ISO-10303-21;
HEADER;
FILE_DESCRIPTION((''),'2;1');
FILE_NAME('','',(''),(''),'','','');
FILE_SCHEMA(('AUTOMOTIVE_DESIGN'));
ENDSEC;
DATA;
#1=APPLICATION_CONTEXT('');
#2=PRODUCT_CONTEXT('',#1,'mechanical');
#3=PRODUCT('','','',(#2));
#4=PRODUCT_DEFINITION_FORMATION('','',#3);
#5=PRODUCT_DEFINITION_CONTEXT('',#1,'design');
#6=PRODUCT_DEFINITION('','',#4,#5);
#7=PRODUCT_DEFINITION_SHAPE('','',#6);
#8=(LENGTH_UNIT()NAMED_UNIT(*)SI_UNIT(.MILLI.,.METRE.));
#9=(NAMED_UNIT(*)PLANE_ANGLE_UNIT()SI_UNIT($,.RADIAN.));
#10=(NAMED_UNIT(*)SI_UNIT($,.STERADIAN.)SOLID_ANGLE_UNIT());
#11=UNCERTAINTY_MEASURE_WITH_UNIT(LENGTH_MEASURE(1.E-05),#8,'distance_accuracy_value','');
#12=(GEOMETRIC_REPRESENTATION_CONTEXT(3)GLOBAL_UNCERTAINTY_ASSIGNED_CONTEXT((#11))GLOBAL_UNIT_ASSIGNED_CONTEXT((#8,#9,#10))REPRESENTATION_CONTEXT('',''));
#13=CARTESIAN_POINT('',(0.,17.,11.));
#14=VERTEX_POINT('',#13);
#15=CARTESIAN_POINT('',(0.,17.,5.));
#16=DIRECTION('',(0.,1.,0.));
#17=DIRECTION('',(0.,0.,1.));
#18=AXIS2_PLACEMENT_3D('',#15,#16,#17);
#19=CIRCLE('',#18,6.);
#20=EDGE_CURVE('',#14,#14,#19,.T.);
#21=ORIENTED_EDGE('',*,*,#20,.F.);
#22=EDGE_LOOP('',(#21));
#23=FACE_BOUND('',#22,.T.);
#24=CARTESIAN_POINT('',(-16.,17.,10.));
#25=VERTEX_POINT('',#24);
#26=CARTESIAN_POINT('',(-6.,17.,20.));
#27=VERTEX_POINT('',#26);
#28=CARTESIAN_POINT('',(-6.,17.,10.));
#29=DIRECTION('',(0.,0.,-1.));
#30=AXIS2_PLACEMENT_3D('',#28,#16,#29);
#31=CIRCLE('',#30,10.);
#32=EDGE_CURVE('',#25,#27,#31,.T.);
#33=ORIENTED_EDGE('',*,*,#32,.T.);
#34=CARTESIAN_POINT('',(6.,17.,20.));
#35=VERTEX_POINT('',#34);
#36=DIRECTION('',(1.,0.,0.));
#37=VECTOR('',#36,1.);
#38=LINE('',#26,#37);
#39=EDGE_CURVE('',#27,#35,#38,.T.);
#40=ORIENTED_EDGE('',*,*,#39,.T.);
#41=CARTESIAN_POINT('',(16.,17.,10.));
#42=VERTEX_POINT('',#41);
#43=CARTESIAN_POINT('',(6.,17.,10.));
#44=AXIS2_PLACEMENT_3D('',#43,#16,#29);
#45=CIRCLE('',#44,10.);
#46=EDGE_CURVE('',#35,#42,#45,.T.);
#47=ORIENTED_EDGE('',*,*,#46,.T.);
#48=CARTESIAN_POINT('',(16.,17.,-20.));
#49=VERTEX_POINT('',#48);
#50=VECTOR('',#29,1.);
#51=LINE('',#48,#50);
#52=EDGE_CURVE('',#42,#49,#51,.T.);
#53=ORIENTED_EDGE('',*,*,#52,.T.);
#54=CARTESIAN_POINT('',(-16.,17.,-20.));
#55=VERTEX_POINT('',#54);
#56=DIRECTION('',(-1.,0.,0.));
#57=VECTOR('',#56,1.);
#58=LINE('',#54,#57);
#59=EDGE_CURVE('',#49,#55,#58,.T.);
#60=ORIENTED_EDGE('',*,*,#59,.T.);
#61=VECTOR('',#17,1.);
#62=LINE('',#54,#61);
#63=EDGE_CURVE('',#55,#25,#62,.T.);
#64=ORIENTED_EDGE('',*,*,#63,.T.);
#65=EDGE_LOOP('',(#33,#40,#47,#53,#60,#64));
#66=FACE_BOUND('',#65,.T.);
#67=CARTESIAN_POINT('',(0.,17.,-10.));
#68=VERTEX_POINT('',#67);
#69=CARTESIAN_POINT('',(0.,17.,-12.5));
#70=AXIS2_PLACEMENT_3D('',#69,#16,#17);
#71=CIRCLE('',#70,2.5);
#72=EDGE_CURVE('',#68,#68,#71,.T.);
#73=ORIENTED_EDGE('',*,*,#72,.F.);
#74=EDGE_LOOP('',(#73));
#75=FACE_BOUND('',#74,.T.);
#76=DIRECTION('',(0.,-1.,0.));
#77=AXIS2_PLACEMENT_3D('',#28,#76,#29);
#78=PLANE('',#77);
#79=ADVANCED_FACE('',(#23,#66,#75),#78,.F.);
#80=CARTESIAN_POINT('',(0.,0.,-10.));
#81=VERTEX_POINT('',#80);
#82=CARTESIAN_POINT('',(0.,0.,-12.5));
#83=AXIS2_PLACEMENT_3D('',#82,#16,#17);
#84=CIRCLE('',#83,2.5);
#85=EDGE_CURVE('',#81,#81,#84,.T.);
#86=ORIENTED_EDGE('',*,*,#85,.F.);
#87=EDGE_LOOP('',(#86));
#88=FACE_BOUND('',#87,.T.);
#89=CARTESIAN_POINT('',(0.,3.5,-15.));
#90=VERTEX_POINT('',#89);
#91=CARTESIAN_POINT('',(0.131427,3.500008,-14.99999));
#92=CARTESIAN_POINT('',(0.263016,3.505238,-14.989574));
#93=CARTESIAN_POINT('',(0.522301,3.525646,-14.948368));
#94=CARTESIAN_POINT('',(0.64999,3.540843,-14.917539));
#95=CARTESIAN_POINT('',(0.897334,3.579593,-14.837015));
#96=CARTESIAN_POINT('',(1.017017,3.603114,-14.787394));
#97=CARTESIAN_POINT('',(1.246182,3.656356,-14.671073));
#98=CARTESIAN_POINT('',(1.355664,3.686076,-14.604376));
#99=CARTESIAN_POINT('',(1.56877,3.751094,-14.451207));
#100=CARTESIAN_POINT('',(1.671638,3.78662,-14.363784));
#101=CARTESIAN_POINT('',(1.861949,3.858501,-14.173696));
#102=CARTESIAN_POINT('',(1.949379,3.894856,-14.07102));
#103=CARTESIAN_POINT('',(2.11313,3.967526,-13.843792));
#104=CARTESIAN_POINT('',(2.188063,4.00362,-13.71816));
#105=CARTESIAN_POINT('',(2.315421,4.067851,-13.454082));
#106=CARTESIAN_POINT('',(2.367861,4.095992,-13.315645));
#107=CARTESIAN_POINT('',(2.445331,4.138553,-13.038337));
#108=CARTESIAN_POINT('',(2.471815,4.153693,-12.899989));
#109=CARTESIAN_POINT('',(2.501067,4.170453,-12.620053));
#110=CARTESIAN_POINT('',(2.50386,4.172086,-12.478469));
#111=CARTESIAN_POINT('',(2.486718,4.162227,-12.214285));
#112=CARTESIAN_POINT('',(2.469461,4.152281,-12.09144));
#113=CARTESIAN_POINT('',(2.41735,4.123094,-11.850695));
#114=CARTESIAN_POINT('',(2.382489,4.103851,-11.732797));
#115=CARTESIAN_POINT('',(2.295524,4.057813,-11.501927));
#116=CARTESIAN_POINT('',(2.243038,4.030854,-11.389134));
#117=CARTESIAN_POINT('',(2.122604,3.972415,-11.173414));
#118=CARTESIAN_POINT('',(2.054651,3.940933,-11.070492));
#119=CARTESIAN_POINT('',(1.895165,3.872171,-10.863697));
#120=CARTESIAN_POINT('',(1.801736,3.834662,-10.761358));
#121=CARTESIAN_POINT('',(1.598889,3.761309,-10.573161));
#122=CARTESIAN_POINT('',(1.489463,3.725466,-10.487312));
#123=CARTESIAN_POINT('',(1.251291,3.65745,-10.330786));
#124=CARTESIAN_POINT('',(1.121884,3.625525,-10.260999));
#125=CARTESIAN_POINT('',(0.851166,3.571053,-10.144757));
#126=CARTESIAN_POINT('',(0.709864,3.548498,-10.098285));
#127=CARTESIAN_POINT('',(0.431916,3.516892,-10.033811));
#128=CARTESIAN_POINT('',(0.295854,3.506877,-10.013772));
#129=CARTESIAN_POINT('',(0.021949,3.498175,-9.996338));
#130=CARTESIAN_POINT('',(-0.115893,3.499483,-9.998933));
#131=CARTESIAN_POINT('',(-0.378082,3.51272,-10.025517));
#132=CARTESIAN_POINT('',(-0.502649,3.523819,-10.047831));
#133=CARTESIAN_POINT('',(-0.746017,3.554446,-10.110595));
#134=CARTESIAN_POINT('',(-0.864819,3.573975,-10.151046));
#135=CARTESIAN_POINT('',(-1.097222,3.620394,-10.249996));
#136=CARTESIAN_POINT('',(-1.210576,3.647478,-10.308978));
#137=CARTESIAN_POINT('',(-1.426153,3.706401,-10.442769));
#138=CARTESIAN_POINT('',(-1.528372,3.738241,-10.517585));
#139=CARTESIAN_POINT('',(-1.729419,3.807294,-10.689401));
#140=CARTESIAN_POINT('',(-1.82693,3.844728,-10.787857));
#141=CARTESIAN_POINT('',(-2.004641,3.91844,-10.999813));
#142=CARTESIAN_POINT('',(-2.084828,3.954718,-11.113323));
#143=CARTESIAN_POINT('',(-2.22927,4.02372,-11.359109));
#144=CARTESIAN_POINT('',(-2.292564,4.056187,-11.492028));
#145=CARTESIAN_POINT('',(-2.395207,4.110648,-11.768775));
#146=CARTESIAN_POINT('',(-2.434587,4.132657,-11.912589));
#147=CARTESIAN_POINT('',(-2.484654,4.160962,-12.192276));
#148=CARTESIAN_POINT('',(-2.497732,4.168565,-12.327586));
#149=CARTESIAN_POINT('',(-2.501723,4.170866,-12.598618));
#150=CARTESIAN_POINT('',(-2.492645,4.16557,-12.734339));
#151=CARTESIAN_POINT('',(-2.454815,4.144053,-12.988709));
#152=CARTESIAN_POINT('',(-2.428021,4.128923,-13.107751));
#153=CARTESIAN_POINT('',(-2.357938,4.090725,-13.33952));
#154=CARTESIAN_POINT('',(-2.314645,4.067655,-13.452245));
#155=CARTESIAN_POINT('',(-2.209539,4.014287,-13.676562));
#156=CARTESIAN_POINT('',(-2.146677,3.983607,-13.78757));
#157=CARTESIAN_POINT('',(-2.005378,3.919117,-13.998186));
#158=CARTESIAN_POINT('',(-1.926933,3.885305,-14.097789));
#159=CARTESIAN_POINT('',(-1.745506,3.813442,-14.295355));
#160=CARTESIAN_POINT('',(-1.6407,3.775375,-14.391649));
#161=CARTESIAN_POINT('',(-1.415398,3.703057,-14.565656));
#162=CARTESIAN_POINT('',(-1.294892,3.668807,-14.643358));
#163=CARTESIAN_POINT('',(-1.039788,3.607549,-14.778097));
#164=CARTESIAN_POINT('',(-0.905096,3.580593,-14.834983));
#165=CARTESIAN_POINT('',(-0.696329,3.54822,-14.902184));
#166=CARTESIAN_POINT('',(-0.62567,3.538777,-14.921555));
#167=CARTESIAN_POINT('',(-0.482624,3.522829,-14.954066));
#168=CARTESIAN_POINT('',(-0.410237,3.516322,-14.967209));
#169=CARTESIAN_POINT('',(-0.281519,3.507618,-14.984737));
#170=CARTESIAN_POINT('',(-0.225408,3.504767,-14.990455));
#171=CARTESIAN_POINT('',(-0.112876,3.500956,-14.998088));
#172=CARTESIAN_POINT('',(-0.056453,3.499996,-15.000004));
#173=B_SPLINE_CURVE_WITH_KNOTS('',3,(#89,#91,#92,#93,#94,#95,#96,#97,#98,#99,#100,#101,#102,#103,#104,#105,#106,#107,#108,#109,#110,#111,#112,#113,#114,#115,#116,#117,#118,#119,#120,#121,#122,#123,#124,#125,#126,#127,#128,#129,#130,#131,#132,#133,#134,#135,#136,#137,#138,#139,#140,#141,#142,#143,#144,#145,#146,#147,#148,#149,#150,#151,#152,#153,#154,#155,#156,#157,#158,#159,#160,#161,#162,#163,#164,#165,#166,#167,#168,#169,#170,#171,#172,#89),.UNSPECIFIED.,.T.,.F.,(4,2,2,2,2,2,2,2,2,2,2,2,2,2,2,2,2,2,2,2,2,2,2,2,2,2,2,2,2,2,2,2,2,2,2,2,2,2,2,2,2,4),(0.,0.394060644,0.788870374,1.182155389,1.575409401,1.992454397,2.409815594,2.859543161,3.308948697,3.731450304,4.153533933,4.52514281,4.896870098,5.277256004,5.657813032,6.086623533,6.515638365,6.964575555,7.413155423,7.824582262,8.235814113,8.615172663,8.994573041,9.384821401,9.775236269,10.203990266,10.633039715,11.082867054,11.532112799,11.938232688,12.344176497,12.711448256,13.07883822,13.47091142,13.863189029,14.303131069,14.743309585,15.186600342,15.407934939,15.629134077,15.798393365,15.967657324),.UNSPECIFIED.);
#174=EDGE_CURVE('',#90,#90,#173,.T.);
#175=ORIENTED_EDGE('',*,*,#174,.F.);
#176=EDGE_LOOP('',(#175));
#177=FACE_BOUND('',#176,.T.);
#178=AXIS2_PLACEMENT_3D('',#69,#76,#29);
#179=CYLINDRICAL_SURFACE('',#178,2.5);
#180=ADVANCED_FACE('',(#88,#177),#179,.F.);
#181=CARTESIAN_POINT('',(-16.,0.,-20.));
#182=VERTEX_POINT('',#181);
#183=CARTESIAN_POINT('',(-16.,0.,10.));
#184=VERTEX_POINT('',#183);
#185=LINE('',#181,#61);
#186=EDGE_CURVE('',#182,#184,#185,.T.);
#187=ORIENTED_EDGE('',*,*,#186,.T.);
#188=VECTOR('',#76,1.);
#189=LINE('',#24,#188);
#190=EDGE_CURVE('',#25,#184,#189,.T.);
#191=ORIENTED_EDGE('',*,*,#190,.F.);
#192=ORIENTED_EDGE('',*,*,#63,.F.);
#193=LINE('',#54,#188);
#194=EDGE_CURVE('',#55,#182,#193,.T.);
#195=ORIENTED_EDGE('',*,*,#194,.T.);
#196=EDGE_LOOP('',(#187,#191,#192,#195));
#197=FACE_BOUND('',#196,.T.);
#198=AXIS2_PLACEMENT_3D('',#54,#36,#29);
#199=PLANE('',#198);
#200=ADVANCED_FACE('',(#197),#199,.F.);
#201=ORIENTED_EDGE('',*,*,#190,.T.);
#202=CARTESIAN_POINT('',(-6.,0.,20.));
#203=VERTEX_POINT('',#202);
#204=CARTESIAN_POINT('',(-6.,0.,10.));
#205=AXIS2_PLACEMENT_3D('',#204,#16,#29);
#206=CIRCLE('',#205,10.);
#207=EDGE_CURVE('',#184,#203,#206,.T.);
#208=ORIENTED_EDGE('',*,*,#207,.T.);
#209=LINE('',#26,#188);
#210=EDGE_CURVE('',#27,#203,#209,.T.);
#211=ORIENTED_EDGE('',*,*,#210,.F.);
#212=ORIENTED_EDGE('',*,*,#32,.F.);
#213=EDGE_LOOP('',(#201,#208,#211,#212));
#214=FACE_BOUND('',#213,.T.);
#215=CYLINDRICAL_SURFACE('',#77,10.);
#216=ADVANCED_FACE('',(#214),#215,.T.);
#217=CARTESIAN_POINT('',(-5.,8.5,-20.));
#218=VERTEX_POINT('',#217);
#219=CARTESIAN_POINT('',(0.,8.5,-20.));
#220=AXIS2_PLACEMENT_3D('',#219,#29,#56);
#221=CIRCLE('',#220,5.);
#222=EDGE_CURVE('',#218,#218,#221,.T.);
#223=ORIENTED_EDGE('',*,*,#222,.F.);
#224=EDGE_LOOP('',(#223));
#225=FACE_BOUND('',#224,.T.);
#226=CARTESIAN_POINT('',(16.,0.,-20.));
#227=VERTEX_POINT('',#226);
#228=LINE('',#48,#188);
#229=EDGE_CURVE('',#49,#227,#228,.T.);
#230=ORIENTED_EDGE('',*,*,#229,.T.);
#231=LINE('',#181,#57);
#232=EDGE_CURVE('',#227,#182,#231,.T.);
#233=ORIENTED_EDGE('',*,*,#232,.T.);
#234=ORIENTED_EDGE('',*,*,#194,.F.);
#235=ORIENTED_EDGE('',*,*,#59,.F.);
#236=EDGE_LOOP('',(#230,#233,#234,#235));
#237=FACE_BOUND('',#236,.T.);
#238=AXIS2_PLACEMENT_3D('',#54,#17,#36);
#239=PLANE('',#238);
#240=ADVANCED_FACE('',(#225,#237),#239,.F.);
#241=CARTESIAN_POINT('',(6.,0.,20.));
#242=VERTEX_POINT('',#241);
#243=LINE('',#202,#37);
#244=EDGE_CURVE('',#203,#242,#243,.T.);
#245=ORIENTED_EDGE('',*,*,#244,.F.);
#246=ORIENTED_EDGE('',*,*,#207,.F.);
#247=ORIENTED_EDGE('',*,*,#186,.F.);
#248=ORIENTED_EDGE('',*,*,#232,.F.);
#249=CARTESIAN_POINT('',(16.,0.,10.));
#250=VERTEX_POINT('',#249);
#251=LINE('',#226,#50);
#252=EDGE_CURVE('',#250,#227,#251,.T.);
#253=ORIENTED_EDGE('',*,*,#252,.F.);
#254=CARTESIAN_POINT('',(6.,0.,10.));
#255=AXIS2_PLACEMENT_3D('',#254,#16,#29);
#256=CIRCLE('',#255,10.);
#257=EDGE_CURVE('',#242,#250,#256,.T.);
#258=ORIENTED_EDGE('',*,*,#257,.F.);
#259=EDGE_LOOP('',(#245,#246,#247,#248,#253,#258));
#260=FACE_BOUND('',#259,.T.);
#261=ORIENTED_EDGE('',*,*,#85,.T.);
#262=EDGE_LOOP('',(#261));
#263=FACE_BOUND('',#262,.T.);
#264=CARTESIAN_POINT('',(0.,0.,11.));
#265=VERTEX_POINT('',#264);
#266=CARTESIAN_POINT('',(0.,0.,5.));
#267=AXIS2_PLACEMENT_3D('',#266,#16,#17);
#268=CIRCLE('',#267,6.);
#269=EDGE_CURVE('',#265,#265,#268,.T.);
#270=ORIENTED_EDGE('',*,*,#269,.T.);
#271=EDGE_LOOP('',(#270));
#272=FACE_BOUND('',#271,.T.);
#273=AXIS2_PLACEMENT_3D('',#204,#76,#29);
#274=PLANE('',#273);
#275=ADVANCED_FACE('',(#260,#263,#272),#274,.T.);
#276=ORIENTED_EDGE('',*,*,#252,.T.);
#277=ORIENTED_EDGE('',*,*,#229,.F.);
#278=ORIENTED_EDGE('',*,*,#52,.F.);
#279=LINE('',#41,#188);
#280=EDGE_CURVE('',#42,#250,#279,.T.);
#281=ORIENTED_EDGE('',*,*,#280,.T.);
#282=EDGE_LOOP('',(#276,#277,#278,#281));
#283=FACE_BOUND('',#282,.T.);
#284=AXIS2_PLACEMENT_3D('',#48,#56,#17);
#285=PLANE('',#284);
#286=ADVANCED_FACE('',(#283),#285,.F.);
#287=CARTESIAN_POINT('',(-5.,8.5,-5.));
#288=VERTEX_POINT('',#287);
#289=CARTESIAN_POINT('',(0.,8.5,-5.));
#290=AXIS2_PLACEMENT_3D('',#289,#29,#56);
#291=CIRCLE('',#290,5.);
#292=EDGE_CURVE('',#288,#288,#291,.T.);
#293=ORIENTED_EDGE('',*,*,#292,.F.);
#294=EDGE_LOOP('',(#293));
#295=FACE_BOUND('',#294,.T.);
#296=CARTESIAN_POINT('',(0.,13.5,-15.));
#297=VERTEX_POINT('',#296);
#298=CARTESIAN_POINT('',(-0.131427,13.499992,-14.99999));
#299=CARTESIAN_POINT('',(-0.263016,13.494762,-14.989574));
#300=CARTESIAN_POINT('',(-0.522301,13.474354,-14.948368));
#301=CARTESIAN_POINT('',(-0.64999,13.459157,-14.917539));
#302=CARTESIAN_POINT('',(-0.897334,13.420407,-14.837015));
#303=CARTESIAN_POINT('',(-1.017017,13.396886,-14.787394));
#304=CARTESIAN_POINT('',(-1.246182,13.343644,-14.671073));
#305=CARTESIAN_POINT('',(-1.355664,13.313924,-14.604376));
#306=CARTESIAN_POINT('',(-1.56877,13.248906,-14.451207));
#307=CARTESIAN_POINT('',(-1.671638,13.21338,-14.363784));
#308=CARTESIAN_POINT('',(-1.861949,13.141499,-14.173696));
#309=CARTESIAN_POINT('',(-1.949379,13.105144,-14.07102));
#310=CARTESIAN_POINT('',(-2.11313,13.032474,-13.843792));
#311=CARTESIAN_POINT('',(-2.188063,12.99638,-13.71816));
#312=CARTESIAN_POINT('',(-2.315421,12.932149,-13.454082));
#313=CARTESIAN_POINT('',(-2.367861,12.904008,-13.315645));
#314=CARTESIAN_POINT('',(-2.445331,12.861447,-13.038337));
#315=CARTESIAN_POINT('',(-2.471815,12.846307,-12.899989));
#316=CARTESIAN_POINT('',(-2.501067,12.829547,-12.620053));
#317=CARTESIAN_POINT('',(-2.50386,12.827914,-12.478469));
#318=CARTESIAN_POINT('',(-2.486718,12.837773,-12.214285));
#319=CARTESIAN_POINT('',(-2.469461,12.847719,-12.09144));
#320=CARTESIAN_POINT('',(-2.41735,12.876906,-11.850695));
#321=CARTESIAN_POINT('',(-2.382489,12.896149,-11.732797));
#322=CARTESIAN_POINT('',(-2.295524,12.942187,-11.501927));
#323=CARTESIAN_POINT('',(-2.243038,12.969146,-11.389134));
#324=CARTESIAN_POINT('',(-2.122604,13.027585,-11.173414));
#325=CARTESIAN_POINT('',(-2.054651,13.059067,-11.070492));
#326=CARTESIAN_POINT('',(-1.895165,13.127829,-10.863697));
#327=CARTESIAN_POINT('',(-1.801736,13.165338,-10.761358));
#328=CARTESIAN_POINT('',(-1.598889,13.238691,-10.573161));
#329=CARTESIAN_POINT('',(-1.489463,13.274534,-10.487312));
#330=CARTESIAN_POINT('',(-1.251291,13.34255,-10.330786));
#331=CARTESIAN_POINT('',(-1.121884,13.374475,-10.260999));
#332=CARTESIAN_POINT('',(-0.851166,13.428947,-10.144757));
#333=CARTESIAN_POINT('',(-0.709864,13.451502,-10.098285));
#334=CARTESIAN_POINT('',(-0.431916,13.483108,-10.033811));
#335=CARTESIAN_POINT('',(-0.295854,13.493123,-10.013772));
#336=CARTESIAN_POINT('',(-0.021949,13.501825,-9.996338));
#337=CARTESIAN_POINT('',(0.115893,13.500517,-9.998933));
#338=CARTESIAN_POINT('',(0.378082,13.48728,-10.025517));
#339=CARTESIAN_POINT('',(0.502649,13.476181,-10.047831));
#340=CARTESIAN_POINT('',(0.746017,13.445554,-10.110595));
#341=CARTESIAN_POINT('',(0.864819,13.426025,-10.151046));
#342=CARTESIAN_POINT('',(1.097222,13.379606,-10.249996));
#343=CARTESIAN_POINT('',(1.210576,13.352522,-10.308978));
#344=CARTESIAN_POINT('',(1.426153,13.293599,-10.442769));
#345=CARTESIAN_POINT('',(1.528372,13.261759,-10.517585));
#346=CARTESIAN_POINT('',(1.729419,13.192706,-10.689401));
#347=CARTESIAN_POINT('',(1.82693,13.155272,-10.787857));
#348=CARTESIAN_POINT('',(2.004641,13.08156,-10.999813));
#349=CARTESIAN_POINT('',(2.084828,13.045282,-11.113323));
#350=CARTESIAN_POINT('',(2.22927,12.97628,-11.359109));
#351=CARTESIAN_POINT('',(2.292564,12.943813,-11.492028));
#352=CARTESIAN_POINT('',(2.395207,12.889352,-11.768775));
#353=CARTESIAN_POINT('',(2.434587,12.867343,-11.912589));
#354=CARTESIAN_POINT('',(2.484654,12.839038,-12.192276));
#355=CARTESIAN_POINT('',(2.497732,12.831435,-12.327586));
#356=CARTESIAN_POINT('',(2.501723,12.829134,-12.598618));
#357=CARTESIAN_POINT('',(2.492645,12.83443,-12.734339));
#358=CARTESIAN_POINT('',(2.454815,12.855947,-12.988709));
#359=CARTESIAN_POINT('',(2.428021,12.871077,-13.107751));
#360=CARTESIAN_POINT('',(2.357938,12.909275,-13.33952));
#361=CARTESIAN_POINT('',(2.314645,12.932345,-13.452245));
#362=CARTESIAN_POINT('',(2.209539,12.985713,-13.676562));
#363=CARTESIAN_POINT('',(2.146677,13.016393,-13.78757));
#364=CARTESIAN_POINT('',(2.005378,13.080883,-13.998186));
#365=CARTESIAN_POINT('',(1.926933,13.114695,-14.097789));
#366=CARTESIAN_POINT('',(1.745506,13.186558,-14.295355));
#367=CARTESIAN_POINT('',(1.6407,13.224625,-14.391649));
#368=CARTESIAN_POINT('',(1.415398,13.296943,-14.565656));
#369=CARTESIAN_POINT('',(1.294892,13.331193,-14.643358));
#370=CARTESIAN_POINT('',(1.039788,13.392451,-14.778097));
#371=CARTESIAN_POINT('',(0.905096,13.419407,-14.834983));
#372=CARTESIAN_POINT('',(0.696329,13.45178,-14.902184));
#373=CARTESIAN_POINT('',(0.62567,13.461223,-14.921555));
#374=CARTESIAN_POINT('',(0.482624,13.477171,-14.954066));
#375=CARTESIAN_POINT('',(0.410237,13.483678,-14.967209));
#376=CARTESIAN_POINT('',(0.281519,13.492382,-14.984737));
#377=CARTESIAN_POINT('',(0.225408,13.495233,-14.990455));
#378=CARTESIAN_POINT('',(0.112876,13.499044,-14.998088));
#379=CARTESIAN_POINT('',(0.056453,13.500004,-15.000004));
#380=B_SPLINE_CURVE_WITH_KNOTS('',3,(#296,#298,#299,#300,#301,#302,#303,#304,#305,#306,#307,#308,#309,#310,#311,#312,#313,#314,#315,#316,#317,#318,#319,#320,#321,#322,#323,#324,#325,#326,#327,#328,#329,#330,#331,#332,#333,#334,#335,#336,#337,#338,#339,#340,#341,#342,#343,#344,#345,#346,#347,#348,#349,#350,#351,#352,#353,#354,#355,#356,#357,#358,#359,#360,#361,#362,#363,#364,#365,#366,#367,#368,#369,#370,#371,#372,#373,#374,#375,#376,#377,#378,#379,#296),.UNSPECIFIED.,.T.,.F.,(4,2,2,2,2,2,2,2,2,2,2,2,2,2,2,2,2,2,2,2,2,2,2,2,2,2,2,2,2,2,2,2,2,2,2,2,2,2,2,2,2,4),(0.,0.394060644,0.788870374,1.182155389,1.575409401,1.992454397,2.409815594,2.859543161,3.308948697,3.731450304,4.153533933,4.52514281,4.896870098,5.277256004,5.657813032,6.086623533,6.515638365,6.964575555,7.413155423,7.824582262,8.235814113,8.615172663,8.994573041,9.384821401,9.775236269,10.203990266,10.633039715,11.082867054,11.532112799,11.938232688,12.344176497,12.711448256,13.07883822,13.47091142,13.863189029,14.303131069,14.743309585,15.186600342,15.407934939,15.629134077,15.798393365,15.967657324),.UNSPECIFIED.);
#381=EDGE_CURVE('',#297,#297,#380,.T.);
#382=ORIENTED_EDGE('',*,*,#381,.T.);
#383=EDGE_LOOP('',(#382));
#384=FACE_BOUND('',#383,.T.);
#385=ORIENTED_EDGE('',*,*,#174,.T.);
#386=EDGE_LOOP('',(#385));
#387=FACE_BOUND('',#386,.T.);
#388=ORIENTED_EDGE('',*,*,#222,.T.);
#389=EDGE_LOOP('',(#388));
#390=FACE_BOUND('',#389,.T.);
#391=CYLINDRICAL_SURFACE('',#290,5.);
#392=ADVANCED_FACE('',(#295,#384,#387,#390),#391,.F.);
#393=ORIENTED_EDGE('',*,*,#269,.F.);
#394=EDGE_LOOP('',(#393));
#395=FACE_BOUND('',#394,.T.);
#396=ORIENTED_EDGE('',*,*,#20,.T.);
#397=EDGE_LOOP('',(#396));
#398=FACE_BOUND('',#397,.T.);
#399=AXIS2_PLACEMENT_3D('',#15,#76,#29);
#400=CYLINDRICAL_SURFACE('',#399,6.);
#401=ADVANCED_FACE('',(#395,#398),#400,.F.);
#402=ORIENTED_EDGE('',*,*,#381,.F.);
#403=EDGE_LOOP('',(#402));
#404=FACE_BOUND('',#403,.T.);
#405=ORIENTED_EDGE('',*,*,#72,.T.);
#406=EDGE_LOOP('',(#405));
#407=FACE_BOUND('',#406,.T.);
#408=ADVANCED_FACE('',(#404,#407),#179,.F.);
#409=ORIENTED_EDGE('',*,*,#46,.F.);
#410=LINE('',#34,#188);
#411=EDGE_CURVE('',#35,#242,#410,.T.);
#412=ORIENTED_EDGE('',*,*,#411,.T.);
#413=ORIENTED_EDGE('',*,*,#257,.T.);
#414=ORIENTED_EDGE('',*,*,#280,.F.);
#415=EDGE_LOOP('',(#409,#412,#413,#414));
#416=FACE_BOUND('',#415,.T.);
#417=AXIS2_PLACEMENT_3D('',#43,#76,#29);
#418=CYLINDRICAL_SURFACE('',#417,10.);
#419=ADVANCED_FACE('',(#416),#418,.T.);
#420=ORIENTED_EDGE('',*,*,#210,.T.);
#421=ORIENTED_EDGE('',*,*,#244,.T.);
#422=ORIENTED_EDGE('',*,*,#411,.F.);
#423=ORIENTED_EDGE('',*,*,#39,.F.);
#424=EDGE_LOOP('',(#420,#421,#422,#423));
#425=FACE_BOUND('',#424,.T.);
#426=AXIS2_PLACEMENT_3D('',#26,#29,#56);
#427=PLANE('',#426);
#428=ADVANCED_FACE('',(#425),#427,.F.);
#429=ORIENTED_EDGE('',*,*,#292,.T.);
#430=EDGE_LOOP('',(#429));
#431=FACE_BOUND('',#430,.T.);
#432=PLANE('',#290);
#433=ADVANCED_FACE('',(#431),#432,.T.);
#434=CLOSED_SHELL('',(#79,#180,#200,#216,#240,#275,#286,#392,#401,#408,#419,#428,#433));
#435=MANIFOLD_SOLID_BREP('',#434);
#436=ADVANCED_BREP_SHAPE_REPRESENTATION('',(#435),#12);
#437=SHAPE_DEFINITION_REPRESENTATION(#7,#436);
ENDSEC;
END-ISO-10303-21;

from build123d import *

# Parameters (mm, degrees)
SKETCH1_R           = 2.5
SKETCH1_R_2         = 6
BOSS_EXTRUDE1_DEPTH = 17
SKETCH2_R           = 5
CUT_EXTRUDE1_DEPTH  = 15


with BuildPart() as part:
    # Sketch1 → Boss-Extrude1 (new body)
    with BuildSketch(Plane(origin=(0, 0, 0), x_dir=(1, 0, 0), z_dir=(0, 1, 0))):
        with BuildLine():
            Line((-16, 20), (16, 20))
            Line((16, 20), (16, -10))
            ThreePointArc((16, -10), (13.071067812, -17.071067812), (6, -20))
            Line((6, -20), (-6, -20))
            ThreePointArc((-6, -20), (-13.071067812, -17.071067812), (-16, -10))
            Line((-16, -10), (-16, 20))
        make_face()
        with Locations((0, 12.5)):
            Circle(SKETCH1_R, mode=Mode.SUBTRACT)
        with Locations((0, -5)):
            Circle(SKETCH1_R_2, mode=Mode.SUBTRACT)
    extrude(amount=BOSS_EXTRUDE1_DEPTH)

    # Sketch2 → Cut-Extrude1 (cut)
    with BuildSketch(Plane(origin=(0, 0, -20), x_dir=(-1, 0, 0), z_dir=(0, 0, -1))):
        with Locations((0, 8.5)):
            Circle(SKETCH2_R)
    extrude(amount=-CUT_EXTRUDE1_DEPTH, mode=Mode.SUBTRACT)


solid = part.part
